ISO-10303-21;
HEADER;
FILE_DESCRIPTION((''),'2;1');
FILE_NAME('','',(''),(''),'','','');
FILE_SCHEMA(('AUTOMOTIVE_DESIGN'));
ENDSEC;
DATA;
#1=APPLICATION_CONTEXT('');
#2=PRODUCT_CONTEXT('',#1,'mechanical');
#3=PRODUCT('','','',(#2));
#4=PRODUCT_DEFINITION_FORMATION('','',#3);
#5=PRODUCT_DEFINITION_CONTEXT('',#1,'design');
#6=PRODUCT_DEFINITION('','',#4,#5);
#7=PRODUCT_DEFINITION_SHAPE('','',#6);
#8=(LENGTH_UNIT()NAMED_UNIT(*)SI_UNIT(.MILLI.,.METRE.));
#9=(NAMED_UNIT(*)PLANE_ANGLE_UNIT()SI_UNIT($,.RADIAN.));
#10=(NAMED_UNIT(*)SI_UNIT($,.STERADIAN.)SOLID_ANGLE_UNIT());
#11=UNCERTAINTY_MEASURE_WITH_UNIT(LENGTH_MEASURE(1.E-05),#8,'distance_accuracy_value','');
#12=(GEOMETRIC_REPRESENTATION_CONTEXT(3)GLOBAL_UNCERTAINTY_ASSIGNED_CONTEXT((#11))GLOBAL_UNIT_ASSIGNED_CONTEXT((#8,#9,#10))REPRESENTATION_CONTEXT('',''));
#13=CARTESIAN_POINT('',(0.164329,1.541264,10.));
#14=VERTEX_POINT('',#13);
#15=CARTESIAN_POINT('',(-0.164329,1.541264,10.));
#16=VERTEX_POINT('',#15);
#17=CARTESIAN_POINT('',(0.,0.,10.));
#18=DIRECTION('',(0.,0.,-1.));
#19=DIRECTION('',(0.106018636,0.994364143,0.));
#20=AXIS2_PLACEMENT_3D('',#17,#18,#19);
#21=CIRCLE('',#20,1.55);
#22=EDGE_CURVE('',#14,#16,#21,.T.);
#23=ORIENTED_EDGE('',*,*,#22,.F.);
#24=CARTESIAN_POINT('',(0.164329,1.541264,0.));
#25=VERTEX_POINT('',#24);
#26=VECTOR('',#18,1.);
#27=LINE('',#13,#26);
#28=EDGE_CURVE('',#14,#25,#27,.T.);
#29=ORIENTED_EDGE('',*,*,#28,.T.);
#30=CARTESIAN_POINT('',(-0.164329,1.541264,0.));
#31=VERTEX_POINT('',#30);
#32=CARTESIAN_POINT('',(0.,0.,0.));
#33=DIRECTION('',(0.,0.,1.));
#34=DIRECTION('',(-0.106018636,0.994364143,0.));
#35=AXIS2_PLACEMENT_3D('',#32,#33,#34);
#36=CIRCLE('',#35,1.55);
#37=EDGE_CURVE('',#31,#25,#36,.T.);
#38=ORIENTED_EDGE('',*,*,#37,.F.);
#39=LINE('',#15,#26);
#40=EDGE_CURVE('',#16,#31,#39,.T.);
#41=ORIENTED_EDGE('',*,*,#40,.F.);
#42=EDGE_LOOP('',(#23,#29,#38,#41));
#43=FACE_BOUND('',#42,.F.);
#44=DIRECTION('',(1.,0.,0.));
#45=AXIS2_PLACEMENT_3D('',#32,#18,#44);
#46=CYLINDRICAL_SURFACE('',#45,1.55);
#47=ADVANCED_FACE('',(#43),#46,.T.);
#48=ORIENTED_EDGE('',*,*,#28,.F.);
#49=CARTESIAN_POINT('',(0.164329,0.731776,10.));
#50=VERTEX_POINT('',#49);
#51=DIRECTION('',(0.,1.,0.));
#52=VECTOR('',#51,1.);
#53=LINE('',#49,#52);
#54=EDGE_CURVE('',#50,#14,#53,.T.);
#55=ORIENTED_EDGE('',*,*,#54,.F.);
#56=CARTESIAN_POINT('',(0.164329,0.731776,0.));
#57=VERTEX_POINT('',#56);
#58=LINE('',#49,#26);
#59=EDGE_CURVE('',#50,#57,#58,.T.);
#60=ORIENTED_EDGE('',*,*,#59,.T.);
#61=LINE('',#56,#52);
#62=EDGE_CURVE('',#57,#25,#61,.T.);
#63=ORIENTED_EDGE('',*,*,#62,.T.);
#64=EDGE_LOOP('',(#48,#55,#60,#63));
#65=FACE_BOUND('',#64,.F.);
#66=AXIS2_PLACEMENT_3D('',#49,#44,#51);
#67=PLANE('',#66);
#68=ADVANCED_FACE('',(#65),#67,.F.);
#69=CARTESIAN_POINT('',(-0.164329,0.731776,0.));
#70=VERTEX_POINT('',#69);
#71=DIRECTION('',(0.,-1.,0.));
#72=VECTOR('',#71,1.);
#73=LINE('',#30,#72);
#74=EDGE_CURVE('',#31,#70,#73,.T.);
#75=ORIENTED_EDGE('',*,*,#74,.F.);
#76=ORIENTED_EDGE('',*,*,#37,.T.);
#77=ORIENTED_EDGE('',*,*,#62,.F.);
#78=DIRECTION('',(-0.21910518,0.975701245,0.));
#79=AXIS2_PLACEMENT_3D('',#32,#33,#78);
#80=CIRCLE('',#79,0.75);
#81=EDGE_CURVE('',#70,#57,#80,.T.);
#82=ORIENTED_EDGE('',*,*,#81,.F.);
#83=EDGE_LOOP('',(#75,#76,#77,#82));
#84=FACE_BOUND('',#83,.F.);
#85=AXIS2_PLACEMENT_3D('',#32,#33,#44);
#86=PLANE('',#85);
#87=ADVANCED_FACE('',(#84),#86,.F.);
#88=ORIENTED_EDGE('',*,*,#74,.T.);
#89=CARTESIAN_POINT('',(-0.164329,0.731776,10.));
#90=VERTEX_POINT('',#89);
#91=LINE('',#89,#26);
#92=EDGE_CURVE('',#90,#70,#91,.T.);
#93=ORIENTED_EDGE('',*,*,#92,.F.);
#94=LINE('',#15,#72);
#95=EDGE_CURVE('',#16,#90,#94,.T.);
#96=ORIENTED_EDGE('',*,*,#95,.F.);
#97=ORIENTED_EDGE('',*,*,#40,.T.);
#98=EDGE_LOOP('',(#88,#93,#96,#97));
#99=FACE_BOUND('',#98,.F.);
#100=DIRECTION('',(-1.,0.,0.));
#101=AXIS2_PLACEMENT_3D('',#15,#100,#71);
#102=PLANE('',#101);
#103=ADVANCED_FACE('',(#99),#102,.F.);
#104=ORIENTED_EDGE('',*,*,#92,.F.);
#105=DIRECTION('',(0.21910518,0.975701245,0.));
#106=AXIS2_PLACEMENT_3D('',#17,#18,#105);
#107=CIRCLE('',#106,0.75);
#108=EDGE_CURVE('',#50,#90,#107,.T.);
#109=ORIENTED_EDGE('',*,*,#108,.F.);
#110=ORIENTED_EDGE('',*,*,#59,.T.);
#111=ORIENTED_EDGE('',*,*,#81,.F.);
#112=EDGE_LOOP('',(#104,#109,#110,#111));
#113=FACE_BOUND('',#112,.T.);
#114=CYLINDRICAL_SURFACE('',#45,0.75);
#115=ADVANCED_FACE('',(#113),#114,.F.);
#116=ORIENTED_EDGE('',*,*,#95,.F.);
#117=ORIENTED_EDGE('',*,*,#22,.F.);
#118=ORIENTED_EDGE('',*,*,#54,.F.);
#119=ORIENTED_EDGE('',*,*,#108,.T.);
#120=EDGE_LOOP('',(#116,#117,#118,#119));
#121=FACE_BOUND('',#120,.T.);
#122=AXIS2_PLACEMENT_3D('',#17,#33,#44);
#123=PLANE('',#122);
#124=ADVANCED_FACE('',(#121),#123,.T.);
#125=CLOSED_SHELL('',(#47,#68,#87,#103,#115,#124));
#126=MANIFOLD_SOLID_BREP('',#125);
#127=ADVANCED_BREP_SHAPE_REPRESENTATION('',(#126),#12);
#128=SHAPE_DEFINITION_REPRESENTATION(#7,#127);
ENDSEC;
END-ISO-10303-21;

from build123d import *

# Parameters (mm, degrees)
F0_R     = 1.55
F0_R_2   = 0.75
F1_DEPTH = 10
F3_DEPTH = 10


with BuildPart() as f1:
    # F0 (on Top) → F1 (new body)
    with BuildSketch(Plane.XY):
        Circle(F0_R)
        Circle(F0_R_2, mode=Mode.SUBTRACT)
    extrude(amount=F1_DEPTH)

    # F2 (on face) → F3 (cut)
    with BuildSketch(Plane.XY.offset(10)):
        with BuildLine():
            Line((0.1643288851, 0.7317759339), (0.1643288851, 1.5412644217))
            ThreePointArc((0.1643288851, 1.5412644217), (0, 1.55), (-0.1643288851, 1.5412644217))
            Line((-0.1643288851, 1.5412644217), (-0.1643288851, 0.7317759339))
            ThreePointArc((-0.1643288851, 0.7317759339), (0, 0.75), (0.1643288851, 0.7317759339))
        make_face()
    extrude(amount=-F3_DEPTH, mode=Mode.SUBTRACT)


solid = f1.part
